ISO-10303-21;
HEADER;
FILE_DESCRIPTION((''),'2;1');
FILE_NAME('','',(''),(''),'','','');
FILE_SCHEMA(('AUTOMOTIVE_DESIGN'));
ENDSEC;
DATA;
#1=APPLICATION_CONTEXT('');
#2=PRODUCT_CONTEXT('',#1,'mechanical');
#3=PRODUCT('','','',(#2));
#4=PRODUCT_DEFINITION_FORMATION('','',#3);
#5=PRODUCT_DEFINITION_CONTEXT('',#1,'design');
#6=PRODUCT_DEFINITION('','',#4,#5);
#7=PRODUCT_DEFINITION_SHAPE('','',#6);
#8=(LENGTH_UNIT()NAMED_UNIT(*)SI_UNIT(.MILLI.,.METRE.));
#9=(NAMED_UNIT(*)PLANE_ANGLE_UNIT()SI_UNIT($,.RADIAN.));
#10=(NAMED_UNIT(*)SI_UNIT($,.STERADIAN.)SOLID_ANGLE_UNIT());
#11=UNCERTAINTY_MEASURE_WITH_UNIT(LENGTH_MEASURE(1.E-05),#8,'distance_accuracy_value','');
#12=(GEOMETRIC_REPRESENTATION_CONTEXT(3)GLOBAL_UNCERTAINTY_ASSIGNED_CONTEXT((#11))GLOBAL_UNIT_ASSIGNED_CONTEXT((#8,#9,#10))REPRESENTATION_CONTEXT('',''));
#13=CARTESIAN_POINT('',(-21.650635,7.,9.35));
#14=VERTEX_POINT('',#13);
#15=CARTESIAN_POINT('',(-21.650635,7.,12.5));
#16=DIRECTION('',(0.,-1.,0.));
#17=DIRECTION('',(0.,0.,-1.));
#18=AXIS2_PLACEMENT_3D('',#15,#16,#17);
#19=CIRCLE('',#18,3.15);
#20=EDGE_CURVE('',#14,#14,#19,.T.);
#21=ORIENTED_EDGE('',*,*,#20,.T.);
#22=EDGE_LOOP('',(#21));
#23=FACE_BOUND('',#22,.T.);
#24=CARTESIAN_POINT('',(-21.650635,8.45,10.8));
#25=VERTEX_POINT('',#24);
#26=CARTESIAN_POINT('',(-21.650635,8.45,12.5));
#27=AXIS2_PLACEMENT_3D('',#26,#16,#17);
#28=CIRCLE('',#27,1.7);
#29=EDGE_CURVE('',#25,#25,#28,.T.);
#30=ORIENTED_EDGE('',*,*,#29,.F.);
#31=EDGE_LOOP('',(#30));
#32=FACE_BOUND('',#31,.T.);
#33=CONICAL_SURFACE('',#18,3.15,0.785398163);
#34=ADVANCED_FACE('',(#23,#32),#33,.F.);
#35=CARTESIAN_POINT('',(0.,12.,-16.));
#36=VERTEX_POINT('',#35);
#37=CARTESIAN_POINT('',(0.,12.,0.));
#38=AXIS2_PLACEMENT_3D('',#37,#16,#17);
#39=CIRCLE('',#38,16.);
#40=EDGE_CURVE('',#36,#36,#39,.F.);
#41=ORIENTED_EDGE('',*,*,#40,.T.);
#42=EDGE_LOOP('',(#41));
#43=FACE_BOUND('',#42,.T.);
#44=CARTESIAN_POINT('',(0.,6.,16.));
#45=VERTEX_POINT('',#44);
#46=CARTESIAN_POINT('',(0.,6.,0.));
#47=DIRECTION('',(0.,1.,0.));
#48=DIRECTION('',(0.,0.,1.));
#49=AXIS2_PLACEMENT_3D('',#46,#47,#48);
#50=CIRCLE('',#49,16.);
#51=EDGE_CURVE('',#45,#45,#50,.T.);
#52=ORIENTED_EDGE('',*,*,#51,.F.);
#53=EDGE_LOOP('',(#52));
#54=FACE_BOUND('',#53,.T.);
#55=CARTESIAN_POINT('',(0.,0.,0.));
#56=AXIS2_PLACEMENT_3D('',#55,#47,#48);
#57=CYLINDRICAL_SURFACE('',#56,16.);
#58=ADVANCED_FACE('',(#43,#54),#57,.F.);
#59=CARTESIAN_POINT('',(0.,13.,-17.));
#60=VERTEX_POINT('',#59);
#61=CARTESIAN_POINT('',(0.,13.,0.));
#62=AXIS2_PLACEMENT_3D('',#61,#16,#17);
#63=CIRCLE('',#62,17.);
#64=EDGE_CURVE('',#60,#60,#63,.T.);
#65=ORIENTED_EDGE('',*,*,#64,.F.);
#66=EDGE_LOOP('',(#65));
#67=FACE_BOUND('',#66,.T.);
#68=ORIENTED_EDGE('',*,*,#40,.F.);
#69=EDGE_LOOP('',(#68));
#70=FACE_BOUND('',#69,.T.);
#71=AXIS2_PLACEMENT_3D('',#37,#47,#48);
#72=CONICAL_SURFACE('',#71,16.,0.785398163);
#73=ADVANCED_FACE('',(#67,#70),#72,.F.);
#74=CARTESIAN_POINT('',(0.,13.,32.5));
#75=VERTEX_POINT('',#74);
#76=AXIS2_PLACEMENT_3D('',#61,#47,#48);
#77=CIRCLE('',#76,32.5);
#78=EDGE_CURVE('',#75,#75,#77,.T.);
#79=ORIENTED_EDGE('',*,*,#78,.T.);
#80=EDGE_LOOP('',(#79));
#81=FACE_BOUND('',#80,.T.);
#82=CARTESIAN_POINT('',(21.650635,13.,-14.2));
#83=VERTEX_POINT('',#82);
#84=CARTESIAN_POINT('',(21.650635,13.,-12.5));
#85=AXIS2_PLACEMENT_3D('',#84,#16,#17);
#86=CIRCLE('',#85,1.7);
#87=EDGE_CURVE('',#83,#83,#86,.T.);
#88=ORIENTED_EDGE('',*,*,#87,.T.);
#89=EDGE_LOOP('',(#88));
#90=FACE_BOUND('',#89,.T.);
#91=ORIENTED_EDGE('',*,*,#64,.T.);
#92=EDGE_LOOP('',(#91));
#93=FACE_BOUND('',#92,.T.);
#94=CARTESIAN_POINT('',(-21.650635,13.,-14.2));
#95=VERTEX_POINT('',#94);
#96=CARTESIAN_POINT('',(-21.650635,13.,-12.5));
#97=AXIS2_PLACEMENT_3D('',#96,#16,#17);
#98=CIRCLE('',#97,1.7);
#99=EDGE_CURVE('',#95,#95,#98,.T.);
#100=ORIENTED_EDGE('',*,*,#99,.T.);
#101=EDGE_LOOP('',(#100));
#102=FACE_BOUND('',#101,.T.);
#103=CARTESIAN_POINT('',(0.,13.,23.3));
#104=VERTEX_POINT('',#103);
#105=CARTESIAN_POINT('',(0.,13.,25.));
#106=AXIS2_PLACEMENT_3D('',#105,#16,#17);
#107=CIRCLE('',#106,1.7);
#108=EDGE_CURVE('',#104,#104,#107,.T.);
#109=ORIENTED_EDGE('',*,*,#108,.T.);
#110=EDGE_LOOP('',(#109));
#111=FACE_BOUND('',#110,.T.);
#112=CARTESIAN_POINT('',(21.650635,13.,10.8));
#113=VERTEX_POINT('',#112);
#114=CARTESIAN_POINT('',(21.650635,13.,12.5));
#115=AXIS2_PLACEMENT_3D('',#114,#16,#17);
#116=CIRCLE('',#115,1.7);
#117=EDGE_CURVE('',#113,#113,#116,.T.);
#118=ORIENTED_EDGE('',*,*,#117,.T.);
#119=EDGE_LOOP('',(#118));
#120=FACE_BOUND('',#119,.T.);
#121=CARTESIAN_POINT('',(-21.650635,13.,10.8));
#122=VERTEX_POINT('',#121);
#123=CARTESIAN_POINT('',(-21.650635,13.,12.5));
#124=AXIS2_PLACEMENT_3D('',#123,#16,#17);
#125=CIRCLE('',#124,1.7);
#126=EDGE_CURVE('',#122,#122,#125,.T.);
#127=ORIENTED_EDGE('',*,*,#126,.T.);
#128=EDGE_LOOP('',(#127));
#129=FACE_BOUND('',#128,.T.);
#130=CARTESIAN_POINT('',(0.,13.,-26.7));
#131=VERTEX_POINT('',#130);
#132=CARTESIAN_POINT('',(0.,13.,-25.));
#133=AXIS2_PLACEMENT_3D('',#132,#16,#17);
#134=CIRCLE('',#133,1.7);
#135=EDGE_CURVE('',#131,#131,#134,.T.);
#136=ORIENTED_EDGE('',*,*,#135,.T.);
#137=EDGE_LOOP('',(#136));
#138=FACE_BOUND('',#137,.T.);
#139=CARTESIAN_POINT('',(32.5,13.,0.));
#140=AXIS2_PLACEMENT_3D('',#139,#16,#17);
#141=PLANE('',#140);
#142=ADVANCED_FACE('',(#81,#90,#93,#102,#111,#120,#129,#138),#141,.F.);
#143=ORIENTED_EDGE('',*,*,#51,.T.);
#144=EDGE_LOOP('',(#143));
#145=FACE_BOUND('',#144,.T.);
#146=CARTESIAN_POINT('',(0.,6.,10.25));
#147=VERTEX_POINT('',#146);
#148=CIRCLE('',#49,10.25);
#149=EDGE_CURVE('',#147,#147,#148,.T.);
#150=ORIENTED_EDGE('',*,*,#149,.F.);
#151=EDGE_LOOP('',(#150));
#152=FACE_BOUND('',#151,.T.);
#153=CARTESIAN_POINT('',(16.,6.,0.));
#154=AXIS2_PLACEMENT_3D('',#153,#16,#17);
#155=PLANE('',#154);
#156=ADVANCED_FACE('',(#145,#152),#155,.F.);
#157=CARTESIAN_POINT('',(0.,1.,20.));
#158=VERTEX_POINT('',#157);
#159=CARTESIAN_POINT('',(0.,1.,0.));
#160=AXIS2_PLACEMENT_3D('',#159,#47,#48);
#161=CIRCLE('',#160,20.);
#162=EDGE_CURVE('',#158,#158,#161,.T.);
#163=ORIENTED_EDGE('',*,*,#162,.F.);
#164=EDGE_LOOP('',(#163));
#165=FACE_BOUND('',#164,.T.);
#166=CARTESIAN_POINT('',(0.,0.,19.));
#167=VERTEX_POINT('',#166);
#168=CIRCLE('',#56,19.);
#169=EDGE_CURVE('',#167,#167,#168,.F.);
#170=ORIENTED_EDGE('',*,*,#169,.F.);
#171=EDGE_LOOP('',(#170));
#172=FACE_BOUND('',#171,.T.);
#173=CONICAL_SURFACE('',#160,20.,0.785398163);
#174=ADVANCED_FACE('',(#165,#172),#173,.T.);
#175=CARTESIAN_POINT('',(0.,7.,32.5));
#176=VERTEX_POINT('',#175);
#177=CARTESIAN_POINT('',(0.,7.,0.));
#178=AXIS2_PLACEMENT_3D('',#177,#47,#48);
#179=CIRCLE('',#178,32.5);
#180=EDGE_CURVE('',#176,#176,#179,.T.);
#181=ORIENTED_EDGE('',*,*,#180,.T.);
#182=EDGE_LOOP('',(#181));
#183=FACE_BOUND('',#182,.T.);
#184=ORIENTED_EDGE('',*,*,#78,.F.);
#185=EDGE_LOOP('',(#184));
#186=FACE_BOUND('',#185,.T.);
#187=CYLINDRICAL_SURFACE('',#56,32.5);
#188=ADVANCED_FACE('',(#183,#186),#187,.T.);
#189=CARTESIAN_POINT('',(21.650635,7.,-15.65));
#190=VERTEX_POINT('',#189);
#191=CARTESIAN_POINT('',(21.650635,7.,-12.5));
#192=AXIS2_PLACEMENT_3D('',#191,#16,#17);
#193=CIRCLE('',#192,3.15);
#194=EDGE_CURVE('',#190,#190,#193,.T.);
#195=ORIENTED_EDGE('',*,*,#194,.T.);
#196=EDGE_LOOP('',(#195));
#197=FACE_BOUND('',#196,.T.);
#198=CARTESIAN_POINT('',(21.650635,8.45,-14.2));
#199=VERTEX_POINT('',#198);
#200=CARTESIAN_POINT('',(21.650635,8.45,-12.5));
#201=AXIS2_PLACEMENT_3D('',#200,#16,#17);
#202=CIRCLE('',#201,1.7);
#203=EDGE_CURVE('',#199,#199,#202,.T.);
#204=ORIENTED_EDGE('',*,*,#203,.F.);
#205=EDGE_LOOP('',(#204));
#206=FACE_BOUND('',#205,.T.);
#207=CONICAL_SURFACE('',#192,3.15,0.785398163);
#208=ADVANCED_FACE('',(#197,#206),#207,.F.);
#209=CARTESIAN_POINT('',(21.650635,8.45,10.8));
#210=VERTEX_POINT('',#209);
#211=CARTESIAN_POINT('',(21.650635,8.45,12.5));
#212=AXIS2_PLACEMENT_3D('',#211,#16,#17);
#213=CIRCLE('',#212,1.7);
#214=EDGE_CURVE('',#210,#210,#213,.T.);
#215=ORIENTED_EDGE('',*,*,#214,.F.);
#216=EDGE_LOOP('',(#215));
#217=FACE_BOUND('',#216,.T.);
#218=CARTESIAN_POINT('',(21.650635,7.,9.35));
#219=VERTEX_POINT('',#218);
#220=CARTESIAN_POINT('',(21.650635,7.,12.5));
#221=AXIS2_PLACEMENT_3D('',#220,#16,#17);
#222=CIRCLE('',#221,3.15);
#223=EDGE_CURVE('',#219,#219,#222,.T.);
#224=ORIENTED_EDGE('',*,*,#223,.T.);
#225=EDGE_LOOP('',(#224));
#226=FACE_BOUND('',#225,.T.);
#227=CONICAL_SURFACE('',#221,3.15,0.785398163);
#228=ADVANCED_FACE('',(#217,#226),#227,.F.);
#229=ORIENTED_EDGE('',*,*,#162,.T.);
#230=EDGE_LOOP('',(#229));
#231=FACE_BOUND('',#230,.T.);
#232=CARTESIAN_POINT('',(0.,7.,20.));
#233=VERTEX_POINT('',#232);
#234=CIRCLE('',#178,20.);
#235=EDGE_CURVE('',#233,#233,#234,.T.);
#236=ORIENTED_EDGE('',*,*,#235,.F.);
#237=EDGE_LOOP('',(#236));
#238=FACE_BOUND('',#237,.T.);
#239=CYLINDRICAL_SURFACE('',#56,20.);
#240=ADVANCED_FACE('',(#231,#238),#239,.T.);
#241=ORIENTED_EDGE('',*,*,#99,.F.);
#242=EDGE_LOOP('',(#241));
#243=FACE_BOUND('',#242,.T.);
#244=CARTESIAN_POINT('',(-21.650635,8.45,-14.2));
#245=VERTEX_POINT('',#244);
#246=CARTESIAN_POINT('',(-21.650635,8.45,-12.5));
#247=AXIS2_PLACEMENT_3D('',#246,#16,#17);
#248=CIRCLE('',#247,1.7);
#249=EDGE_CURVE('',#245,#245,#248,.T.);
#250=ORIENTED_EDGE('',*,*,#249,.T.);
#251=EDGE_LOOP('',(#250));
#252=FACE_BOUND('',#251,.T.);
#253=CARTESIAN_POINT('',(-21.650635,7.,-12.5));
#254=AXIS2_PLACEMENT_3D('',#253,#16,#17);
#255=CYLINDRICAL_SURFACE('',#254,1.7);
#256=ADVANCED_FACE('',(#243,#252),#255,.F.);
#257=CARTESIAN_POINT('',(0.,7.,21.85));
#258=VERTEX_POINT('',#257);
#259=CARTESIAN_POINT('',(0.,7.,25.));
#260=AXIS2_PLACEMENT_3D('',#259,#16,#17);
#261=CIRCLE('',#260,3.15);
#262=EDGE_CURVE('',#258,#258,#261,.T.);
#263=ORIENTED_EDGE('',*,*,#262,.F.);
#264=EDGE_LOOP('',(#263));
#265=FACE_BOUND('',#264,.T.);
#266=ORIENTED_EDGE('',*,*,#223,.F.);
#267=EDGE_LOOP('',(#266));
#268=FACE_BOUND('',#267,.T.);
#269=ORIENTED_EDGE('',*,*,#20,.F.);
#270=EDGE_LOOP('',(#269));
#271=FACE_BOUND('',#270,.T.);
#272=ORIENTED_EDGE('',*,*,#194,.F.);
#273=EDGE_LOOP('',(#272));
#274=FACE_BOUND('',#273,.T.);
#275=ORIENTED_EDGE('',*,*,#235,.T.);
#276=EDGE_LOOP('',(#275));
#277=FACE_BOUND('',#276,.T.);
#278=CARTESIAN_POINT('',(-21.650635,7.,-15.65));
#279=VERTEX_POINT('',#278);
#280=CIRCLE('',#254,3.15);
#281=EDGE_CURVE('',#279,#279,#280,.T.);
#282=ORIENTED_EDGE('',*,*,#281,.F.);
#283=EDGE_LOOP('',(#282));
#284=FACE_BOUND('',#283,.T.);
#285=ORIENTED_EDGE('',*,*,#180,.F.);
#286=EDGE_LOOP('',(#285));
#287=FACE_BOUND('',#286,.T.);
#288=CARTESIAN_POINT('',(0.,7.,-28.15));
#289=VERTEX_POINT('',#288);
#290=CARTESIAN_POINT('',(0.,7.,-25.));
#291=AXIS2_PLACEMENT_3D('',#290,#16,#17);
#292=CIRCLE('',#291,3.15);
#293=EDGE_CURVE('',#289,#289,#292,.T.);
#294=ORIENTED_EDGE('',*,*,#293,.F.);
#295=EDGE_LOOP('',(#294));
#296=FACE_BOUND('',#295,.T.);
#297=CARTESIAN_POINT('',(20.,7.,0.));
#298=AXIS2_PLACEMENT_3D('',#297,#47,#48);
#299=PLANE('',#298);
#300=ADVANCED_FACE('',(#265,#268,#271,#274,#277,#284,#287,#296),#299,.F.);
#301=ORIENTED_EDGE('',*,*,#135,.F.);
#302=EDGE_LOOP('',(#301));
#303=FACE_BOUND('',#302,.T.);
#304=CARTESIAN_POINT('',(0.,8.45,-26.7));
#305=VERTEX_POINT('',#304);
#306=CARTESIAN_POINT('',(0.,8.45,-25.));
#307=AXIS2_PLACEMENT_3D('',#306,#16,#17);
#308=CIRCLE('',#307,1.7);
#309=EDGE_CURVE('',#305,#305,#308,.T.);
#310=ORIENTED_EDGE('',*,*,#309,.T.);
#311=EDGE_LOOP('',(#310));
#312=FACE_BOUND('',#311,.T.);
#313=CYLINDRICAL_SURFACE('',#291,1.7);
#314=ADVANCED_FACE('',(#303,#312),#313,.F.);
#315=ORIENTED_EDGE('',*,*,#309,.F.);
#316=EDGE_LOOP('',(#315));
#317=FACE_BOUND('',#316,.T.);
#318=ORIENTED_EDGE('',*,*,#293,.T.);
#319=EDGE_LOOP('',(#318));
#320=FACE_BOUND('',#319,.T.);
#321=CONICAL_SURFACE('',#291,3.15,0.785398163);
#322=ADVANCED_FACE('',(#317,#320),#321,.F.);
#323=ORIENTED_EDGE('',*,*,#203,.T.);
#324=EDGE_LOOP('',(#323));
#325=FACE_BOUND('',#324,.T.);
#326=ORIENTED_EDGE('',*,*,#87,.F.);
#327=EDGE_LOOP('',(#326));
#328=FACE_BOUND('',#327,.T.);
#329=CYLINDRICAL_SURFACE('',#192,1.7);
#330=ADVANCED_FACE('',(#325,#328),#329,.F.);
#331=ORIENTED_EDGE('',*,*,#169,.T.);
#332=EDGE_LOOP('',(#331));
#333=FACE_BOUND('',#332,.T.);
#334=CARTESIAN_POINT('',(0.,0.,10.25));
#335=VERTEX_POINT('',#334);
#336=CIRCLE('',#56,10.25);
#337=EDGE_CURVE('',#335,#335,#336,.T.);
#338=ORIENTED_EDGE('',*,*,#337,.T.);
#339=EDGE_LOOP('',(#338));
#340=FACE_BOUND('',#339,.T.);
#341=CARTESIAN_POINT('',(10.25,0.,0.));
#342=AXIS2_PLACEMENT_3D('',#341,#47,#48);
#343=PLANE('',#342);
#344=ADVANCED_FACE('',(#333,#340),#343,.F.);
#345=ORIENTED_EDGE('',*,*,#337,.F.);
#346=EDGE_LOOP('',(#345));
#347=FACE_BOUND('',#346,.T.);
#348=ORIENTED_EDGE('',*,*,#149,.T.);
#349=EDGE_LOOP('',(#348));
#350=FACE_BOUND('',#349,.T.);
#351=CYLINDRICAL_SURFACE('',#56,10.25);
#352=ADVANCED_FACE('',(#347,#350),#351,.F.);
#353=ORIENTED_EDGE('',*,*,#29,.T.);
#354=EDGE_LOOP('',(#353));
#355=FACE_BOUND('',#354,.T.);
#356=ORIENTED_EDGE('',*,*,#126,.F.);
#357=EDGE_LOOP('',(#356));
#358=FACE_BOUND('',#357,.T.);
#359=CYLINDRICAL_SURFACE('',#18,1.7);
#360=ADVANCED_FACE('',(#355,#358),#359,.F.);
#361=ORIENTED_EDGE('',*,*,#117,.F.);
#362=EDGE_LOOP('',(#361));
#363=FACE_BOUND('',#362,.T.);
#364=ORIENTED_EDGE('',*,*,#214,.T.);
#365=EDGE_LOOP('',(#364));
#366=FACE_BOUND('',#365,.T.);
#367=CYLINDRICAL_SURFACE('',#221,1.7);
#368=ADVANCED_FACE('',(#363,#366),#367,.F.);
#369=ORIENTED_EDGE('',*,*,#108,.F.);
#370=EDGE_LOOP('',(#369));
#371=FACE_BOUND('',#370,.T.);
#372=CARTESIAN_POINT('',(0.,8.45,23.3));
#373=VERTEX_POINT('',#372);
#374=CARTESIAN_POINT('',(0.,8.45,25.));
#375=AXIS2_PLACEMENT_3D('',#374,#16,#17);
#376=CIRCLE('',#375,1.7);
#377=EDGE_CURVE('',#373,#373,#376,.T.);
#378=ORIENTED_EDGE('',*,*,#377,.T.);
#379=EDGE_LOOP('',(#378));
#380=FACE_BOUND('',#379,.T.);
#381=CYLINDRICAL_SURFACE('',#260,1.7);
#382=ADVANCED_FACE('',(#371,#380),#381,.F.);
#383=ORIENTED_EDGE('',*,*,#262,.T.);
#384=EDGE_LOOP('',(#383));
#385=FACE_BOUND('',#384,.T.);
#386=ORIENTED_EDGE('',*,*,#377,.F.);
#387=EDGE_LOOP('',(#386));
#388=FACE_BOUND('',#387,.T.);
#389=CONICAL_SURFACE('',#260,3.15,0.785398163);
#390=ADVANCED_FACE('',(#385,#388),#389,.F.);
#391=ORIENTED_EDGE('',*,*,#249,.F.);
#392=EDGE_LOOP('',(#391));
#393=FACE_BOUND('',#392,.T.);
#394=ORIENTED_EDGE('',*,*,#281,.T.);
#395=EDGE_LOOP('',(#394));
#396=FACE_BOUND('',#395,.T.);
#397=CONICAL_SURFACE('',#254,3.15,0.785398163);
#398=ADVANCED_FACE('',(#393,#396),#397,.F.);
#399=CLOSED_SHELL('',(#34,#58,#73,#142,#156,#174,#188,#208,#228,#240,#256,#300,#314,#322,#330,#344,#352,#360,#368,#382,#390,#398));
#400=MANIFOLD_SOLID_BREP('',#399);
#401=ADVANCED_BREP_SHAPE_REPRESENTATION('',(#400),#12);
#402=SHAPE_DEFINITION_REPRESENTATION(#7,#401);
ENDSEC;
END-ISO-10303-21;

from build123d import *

# Parameters (mm, degrees)
FASE1_SIZE                                           = 1
FASE2_SIZE                                           = 1
FORMSENKUNG_F_R_M3_SENKSCHRAUBE_MIT_SCHL_D           = 3.4
FORMSENKUNG_F_R_M3_SENKSCHRAUBE_MIT_SCHL_CSINK_D     = 6.3
FORMSENKUNG_F_R_M3_SENKSCHRAUBE_MIT_SCHL_CSINK_ANGLE = 90
KREISMUSTER1_COUNT                                   = 6


with BuildPart() as part:
    # Skizze1 → Rotation1 (revolve)
    with BuildSketch(Plane.XY, mode=Mode.PRIVATE) as rotation1_sk:
        Polygon((10.25, 0), (20, 0), (20, 7), (32.5, 7), (32.5, 13), (16, 13), (16, 6), (10.25, 6), align=None)
    revolve(rotation1_sk.sketch.rotate(Axis((0, 0, 0), (0, -1, 0)), 90), axis=Axis((0, 0, 0), (0, -1, 0)))

    # Fase1
    fase1_edges = [part.edges().sort_by_distance(p)[0] for p in [
        (0, 13, -16),
    ]]
    chamfer(fase1_edges, length=FASE1_SIZE)

    # Fase2
    fase2_edges = [part.edges().sort_by_distance(p)[0] for p in [
        (0, 0, -20),
    ]]
    chamfer(fase2_edges, length=FASE2_SIZE)

    # Formsenkung für M3 Senkschraube mit Schlitz/Kreuzschlitz1 (through all)
    with Locations(Plane(origin=(0, 7, 0), x_dir=(-1, 0, 0), z_dir=(0, -1, 0))):
        with Locations((0, 25)):
            formsenkung_f_r_m3_senkschraube_mit_schl = CounterSinkHole(FORMSENKUNG_F_R_M3_SENKSCHRAUBE_MIT_SCHL_D / 2, FORMSENKUNG_F_R_M3_SENKSCHRAUBE_MIT_SCHL_CSINK_D / 2, counter_sink_angle=FORMSENKUNG_F_R_M3_SENKSCHRAUBE_MIT_SCHL_CSINK_ANGLE)

    # Kreismuster1: Formsenkung für M3 Senkschraube mit Schlitz/Kreuzschlitz1 ×6 about axis
    kreismuster1_axis = Axis((0, 0, 0), (0, 1, 0))
    for i in range(1, KREISMUSTER1_COUNT):
        add(formsenkung_f_r_m3_senkschraube_mit_schl.rotate(kreismuster1_axis, i * 360 / KREISMUSTER1_COUNT), mode=Mode.SUBTRACT)


solid = part.part
